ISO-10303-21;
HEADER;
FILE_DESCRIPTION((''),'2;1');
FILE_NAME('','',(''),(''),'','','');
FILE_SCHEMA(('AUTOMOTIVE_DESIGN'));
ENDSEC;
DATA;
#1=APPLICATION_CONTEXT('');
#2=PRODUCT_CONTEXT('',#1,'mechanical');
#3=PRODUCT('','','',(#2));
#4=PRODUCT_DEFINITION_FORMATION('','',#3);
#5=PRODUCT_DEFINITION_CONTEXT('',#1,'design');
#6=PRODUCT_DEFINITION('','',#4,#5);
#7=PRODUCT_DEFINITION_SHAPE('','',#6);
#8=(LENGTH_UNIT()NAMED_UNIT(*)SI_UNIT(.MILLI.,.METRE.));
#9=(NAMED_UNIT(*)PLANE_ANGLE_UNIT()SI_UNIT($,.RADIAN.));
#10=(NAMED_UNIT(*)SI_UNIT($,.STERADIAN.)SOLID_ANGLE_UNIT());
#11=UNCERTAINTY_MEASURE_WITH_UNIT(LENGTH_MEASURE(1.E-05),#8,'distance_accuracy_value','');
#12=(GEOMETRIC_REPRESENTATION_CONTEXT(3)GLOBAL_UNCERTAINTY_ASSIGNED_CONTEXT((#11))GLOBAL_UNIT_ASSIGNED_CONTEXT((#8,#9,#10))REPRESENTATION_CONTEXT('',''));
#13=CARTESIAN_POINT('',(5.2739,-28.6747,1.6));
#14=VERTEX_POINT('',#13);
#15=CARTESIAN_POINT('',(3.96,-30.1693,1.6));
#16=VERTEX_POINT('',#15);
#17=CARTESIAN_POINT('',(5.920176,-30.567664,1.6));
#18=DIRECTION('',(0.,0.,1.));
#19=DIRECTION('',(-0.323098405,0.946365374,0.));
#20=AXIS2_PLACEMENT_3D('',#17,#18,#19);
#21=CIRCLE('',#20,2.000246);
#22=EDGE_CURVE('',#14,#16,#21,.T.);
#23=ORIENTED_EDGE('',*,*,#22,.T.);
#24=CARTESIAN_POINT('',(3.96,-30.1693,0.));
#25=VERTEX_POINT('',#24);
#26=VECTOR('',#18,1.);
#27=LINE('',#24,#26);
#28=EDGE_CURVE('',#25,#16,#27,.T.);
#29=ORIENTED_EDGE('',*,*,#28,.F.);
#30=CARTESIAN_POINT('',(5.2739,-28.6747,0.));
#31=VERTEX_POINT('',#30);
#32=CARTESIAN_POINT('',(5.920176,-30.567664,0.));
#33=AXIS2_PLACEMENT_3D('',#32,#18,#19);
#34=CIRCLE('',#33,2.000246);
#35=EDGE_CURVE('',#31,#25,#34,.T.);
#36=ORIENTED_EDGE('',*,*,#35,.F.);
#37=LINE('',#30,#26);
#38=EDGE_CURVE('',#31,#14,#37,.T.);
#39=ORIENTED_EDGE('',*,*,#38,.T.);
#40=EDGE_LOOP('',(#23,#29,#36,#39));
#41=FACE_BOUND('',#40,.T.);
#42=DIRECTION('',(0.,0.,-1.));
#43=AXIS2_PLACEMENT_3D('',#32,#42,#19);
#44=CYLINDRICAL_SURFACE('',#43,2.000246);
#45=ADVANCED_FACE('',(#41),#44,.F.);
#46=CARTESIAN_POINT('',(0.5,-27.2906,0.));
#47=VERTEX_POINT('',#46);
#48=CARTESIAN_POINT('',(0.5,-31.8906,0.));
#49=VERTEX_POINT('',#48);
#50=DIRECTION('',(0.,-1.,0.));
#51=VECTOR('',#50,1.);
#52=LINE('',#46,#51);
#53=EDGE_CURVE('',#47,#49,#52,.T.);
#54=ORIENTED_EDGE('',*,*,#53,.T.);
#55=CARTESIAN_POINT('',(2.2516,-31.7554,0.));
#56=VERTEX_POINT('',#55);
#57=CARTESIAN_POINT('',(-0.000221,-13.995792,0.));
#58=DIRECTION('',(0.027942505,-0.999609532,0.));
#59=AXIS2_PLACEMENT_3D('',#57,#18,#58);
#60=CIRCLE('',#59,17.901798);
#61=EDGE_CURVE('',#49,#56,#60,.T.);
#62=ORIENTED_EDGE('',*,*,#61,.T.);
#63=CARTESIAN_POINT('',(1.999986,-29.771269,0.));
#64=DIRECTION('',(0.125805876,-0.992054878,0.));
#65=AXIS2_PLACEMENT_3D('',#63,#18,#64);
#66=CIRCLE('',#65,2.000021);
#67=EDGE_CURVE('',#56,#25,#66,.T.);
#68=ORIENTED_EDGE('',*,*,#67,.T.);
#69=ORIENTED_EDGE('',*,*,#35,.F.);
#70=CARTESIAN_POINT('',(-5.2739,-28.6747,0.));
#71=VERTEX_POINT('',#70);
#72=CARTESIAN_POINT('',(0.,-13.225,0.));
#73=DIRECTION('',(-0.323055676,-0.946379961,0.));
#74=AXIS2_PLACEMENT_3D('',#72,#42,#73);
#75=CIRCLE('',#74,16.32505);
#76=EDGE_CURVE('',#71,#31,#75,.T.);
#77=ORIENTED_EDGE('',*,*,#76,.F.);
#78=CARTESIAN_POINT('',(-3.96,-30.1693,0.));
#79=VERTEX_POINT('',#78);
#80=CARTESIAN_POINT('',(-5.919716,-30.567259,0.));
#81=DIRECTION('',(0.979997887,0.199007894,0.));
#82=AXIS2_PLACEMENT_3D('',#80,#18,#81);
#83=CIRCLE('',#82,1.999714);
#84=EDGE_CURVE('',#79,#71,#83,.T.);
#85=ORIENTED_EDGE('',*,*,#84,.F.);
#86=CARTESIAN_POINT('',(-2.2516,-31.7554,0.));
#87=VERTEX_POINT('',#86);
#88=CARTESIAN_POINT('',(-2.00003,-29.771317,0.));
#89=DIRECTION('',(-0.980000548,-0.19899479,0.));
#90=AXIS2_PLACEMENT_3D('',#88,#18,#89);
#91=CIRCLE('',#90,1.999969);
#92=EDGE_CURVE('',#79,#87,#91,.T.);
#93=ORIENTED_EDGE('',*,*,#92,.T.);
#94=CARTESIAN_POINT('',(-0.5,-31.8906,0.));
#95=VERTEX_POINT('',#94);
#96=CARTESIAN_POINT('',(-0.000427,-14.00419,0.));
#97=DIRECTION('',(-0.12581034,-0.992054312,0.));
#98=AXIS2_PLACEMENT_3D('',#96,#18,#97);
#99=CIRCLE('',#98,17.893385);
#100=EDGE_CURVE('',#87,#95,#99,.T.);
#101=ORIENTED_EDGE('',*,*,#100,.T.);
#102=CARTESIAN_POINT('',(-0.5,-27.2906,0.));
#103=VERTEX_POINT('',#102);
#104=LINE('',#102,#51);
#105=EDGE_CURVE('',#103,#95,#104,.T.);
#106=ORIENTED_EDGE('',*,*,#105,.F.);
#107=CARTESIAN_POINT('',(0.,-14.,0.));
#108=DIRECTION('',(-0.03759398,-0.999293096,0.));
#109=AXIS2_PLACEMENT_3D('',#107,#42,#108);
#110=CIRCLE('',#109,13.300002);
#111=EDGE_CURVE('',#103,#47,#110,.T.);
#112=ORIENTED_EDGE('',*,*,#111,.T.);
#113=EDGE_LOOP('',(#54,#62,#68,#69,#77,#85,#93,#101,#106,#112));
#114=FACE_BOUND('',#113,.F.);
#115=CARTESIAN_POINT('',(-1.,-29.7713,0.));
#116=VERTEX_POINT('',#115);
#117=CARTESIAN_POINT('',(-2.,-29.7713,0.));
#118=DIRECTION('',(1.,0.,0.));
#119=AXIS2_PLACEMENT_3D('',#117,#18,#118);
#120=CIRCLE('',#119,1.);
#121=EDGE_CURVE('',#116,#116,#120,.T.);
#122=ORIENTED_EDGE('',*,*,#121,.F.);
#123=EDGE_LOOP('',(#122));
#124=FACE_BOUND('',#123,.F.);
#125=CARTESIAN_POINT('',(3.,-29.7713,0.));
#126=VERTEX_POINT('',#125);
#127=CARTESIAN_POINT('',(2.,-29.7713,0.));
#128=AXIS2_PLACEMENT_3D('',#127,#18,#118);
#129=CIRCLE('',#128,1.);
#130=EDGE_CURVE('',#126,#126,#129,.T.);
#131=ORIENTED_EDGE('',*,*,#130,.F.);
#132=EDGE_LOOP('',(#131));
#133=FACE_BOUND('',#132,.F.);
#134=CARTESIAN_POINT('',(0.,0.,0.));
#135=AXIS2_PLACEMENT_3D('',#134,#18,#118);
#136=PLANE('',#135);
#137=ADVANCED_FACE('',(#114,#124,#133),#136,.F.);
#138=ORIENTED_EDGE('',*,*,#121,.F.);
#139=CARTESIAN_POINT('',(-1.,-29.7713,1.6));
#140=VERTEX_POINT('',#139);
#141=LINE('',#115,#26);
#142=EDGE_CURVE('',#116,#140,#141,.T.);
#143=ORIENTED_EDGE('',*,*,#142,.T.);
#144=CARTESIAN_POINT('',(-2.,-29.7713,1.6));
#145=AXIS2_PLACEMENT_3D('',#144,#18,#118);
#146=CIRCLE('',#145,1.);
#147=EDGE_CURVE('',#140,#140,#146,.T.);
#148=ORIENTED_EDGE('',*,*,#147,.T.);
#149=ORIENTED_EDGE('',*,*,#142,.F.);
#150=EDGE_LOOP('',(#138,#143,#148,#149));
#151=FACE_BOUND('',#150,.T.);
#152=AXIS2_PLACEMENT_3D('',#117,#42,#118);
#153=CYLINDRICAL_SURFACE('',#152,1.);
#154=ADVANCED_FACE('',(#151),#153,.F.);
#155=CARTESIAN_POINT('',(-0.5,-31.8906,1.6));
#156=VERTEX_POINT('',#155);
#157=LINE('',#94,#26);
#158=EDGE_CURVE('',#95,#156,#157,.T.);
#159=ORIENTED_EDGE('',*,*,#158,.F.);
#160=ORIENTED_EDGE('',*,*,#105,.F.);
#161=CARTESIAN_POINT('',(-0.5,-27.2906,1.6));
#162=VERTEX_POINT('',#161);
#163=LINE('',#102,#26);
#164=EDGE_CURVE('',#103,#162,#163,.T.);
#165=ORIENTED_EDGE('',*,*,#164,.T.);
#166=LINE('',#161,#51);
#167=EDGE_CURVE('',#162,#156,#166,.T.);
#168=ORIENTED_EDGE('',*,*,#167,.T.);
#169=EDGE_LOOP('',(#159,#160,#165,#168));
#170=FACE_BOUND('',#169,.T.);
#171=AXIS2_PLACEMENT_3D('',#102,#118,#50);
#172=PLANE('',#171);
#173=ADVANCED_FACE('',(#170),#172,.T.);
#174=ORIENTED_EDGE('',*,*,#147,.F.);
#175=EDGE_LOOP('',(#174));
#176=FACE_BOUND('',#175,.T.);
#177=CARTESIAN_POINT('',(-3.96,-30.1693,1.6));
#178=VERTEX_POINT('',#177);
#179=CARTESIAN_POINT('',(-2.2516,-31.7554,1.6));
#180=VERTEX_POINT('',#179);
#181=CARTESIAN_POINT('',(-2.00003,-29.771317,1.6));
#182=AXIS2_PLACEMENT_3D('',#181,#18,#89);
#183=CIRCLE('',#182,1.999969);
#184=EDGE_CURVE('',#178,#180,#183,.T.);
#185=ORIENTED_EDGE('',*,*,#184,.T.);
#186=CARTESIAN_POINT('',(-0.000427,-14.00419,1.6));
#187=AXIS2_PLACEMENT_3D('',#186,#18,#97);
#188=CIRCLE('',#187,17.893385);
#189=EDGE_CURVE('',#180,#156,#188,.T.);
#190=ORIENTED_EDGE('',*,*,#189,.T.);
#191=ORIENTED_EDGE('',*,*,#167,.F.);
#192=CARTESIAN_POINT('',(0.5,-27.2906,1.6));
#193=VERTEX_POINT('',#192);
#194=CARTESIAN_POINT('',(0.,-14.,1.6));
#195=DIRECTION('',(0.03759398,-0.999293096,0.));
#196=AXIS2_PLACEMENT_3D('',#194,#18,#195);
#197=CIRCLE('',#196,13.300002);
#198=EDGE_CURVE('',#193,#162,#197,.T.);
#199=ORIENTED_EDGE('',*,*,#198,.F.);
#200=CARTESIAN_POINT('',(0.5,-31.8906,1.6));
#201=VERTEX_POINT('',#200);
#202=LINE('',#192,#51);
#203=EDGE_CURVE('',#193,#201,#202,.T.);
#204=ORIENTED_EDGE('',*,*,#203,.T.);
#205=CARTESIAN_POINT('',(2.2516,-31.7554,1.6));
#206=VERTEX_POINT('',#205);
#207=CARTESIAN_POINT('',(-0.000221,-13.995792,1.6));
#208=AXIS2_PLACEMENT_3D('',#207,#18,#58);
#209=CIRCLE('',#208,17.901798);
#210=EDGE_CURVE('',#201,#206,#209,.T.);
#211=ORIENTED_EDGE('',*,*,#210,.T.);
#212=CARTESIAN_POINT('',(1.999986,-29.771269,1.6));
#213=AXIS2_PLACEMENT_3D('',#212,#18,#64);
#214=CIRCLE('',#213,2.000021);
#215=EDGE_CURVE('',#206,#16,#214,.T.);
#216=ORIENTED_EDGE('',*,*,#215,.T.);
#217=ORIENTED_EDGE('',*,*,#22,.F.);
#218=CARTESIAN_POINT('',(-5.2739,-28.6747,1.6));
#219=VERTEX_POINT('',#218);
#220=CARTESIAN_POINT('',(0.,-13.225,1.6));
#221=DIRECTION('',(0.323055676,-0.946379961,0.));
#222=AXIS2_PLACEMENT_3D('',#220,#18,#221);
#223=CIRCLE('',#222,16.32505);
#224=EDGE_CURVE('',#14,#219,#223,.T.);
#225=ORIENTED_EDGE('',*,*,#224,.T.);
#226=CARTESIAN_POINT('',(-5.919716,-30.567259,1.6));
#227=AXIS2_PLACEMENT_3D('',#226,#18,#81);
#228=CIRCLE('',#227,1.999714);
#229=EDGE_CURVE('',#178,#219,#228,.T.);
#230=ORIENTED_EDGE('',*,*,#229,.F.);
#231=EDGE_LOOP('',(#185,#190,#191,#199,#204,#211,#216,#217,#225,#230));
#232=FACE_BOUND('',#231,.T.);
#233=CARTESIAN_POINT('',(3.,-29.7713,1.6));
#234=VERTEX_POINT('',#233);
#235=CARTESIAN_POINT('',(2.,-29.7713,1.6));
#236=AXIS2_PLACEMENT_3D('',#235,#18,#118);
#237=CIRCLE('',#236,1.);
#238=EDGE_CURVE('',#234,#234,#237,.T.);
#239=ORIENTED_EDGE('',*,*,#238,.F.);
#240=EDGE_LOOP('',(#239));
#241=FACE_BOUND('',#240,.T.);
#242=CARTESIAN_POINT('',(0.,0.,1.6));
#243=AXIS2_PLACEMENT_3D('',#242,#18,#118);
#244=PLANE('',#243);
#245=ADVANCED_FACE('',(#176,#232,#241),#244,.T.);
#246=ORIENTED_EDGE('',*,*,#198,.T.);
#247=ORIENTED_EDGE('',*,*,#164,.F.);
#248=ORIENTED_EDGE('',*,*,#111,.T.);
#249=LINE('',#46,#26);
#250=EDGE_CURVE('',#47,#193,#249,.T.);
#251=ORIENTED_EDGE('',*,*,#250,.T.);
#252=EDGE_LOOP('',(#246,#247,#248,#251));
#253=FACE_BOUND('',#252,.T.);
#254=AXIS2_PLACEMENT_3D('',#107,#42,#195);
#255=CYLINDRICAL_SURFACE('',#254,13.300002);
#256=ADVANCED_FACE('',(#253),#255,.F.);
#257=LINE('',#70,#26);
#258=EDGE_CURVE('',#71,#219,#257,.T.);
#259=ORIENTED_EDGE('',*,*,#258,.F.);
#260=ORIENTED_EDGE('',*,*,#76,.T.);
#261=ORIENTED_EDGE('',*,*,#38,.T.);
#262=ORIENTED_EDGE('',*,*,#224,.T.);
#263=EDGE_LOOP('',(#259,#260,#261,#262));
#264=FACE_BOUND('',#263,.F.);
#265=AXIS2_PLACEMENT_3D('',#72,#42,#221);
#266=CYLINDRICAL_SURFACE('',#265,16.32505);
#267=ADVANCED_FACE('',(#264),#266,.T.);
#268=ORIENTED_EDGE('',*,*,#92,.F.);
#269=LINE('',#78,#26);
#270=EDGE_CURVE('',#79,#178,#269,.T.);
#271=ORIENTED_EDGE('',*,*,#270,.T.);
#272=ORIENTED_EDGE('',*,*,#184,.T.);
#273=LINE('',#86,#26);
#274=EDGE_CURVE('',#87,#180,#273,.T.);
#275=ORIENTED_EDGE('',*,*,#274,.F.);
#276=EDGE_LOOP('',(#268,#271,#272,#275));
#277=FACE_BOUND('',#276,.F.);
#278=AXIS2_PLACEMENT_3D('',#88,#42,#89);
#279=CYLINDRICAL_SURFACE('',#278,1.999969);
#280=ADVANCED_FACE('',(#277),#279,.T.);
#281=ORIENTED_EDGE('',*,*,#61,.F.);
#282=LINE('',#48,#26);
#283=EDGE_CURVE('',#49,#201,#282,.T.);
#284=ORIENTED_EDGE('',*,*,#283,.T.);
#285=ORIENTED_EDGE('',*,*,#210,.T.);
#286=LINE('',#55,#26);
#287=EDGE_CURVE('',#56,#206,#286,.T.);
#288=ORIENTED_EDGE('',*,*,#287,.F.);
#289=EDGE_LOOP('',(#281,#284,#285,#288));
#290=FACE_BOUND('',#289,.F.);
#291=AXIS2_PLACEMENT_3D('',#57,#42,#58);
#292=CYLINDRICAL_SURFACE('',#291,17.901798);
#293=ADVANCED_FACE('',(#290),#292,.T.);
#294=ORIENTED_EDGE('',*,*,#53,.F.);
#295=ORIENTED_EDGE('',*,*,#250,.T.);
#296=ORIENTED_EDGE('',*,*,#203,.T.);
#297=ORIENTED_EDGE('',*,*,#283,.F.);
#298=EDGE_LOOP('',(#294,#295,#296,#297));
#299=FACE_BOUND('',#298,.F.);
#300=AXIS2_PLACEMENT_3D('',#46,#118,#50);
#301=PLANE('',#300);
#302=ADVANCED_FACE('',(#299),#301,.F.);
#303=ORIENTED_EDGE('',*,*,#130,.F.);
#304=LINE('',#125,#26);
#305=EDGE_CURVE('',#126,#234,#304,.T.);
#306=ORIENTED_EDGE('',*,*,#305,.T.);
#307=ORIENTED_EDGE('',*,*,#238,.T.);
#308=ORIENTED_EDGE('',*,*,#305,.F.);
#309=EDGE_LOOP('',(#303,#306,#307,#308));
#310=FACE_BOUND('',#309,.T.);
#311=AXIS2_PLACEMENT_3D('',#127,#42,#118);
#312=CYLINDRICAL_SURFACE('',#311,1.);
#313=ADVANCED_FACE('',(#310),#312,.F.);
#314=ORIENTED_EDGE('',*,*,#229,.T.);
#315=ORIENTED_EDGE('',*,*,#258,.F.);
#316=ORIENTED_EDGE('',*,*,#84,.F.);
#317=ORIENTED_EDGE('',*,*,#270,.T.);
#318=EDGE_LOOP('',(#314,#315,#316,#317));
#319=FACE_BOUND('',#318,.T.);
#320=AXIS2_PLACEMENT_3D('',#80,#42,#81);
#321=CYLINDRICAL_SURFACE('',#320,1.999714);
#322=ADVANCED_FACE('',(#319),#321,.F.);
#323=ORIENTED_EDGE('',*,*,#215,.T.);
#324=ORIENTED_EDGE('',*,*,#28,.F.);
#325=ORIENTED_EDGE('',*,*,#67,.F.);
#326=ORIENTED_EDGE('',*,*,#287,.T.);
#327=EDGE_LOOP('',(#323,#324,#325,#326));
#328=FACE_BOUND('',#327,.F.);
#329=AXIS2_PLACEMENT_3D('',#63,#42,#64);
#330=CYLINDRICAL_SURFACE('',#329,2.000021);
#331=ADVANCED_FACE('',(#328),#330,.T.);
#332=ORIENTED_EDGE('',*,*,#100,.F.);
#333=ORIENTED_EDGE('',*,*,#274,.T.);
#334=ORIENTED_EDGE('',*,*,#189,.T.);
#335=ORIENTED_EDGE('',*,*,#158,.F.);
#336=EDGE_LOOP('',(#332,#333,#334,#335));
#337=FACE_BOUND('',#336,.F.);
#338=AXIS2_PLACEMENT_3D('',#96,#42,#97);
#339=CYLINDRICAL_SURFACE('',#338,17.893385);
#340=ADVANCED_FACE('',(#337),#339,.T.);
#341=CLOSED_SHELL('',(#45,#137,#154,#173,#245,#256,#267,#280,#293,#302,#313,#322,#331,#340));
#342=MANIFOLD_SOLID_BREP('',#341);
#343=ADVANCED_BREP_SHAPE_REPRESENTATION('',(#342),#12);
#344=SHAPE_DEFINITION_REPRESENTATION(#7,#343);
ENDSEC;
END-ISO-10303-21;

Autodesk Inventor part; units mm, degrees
ref_plane "YZ Plane" through (0, 0, 0) normal (1, 0, 0) x (0, 1, 0)
ref_plane "XZ Plane" through (0, 0, 0) normal (0, 1, 0) x (-1, 0, 0)
sketch "Sketch1" plane through (0, 0, 0) normal (0, 0, 1) x (1, 0, 0)
  line L0 (-6, 0) -> (6, 0) construction
  arc A0 (0.5, -27.2906) -> (-0.5, -27.2906) centre (0, -14) ccw
  line L1 (0, 20.1894) -> (0, -80.5364) projected
  line L2 (-48.09, 0) -> (48.09, 0) projected
  line L3 (-0.5, -27.2906) -> (-0.5, -31.8906)
  line L4 (-0.5, -6.5402) -> (-0.5, -13.29) construction
  line L5 (-2.7947, 3.1) -> (3.6722, 3.1) construction
  arc A1 (5.2739, -28.6747) -> (-5.2739, -28.6747) centre (0, -13.225) ccw
  arc A2 (-2.2516, -31.7554) -> (-0.5, -31.8906) centre (0, -14) ccw
  arc A3 (-3.96, -30.1693) -> (-2.2516, -31.7554) centre (-2, -29.7713) ccw
  arc A4 (-3.96, -30.1693) -> (-5.2739, -28.6747) centre (-5.92, -30.5674) ccw
  line L6 (0.5, -27.2906) -> (0.5, -31.8906)
  line L7 (0.5, -6.5402) -> (0.5, -13.29) construction
  arc A5 (0.5, -31.8906) -> (2.2516, -31.7554) centre (0, -14) ccw
  arc A6 (2.2516, -31.7554) -> (3.96, -30.1693) centre (2, -29.7713) ccw
  arc A7 (5.2739, -28.6747) -> (3.96, -30.1693) centre (5.92, -30.5674) ccw
  circle A8 centre (-2, -29.7713) radius 1
  circle A9 centre (2, -29.7713) radius 1
  dimension "d0" = 26.6
  dimension "d1" = 4.6
  dimension "d6" = 0.5
  dimension "d7" = 3.1
  dimension "d8" = 0.775
  dimension "d9" = 2
  dimension "d10" = 2
  dimension "d11" = 1.5
  dimension "d12" = 2
  dimension "d13" = 2
  dimension "d14" = 14
extrude "Body" add sketch "Sketch1" along normal blind 1.6
ref_plane "Work Plane1" through (0, -14, 0) normal (1, 0, 0) x (0, 0, 1)
equation "\"d0\" = ND"
equation "\"d1\" = SRB2"
equation "\"d6\" = 0.25 * SD5"
equation "\"d7\" = SRB1"
equation "\"d8\" = 0.25 * SRB1"
equation "\"d9\" = SD5"
equation "\"d10\" = SD5"
equation "\"d11\" = 0.75 * SD5"
equation "\"d12\" = SD5"
equation "\"d13\" = SD5"
equation "\"d14\" = 0.5 * WD"
equation "\"d2\" = SD"
equation "\"WD\" = WDMIN"
equation "\"SD\" = 1.6"
equation "\"SRB1\" = 3.1"
equation "\"ND\" = 26.6"
equation "\"SRB2\" = 4.6"
equation "\"SD5\" = 2"
equation "\"WDMIN\" = 28"
equation "\"SD3\" = 25.9"
equation "\"WDMAX\" = 29"
properties part number "CNS 9074 - 28 x 1,6" material "Steel, Mild"
